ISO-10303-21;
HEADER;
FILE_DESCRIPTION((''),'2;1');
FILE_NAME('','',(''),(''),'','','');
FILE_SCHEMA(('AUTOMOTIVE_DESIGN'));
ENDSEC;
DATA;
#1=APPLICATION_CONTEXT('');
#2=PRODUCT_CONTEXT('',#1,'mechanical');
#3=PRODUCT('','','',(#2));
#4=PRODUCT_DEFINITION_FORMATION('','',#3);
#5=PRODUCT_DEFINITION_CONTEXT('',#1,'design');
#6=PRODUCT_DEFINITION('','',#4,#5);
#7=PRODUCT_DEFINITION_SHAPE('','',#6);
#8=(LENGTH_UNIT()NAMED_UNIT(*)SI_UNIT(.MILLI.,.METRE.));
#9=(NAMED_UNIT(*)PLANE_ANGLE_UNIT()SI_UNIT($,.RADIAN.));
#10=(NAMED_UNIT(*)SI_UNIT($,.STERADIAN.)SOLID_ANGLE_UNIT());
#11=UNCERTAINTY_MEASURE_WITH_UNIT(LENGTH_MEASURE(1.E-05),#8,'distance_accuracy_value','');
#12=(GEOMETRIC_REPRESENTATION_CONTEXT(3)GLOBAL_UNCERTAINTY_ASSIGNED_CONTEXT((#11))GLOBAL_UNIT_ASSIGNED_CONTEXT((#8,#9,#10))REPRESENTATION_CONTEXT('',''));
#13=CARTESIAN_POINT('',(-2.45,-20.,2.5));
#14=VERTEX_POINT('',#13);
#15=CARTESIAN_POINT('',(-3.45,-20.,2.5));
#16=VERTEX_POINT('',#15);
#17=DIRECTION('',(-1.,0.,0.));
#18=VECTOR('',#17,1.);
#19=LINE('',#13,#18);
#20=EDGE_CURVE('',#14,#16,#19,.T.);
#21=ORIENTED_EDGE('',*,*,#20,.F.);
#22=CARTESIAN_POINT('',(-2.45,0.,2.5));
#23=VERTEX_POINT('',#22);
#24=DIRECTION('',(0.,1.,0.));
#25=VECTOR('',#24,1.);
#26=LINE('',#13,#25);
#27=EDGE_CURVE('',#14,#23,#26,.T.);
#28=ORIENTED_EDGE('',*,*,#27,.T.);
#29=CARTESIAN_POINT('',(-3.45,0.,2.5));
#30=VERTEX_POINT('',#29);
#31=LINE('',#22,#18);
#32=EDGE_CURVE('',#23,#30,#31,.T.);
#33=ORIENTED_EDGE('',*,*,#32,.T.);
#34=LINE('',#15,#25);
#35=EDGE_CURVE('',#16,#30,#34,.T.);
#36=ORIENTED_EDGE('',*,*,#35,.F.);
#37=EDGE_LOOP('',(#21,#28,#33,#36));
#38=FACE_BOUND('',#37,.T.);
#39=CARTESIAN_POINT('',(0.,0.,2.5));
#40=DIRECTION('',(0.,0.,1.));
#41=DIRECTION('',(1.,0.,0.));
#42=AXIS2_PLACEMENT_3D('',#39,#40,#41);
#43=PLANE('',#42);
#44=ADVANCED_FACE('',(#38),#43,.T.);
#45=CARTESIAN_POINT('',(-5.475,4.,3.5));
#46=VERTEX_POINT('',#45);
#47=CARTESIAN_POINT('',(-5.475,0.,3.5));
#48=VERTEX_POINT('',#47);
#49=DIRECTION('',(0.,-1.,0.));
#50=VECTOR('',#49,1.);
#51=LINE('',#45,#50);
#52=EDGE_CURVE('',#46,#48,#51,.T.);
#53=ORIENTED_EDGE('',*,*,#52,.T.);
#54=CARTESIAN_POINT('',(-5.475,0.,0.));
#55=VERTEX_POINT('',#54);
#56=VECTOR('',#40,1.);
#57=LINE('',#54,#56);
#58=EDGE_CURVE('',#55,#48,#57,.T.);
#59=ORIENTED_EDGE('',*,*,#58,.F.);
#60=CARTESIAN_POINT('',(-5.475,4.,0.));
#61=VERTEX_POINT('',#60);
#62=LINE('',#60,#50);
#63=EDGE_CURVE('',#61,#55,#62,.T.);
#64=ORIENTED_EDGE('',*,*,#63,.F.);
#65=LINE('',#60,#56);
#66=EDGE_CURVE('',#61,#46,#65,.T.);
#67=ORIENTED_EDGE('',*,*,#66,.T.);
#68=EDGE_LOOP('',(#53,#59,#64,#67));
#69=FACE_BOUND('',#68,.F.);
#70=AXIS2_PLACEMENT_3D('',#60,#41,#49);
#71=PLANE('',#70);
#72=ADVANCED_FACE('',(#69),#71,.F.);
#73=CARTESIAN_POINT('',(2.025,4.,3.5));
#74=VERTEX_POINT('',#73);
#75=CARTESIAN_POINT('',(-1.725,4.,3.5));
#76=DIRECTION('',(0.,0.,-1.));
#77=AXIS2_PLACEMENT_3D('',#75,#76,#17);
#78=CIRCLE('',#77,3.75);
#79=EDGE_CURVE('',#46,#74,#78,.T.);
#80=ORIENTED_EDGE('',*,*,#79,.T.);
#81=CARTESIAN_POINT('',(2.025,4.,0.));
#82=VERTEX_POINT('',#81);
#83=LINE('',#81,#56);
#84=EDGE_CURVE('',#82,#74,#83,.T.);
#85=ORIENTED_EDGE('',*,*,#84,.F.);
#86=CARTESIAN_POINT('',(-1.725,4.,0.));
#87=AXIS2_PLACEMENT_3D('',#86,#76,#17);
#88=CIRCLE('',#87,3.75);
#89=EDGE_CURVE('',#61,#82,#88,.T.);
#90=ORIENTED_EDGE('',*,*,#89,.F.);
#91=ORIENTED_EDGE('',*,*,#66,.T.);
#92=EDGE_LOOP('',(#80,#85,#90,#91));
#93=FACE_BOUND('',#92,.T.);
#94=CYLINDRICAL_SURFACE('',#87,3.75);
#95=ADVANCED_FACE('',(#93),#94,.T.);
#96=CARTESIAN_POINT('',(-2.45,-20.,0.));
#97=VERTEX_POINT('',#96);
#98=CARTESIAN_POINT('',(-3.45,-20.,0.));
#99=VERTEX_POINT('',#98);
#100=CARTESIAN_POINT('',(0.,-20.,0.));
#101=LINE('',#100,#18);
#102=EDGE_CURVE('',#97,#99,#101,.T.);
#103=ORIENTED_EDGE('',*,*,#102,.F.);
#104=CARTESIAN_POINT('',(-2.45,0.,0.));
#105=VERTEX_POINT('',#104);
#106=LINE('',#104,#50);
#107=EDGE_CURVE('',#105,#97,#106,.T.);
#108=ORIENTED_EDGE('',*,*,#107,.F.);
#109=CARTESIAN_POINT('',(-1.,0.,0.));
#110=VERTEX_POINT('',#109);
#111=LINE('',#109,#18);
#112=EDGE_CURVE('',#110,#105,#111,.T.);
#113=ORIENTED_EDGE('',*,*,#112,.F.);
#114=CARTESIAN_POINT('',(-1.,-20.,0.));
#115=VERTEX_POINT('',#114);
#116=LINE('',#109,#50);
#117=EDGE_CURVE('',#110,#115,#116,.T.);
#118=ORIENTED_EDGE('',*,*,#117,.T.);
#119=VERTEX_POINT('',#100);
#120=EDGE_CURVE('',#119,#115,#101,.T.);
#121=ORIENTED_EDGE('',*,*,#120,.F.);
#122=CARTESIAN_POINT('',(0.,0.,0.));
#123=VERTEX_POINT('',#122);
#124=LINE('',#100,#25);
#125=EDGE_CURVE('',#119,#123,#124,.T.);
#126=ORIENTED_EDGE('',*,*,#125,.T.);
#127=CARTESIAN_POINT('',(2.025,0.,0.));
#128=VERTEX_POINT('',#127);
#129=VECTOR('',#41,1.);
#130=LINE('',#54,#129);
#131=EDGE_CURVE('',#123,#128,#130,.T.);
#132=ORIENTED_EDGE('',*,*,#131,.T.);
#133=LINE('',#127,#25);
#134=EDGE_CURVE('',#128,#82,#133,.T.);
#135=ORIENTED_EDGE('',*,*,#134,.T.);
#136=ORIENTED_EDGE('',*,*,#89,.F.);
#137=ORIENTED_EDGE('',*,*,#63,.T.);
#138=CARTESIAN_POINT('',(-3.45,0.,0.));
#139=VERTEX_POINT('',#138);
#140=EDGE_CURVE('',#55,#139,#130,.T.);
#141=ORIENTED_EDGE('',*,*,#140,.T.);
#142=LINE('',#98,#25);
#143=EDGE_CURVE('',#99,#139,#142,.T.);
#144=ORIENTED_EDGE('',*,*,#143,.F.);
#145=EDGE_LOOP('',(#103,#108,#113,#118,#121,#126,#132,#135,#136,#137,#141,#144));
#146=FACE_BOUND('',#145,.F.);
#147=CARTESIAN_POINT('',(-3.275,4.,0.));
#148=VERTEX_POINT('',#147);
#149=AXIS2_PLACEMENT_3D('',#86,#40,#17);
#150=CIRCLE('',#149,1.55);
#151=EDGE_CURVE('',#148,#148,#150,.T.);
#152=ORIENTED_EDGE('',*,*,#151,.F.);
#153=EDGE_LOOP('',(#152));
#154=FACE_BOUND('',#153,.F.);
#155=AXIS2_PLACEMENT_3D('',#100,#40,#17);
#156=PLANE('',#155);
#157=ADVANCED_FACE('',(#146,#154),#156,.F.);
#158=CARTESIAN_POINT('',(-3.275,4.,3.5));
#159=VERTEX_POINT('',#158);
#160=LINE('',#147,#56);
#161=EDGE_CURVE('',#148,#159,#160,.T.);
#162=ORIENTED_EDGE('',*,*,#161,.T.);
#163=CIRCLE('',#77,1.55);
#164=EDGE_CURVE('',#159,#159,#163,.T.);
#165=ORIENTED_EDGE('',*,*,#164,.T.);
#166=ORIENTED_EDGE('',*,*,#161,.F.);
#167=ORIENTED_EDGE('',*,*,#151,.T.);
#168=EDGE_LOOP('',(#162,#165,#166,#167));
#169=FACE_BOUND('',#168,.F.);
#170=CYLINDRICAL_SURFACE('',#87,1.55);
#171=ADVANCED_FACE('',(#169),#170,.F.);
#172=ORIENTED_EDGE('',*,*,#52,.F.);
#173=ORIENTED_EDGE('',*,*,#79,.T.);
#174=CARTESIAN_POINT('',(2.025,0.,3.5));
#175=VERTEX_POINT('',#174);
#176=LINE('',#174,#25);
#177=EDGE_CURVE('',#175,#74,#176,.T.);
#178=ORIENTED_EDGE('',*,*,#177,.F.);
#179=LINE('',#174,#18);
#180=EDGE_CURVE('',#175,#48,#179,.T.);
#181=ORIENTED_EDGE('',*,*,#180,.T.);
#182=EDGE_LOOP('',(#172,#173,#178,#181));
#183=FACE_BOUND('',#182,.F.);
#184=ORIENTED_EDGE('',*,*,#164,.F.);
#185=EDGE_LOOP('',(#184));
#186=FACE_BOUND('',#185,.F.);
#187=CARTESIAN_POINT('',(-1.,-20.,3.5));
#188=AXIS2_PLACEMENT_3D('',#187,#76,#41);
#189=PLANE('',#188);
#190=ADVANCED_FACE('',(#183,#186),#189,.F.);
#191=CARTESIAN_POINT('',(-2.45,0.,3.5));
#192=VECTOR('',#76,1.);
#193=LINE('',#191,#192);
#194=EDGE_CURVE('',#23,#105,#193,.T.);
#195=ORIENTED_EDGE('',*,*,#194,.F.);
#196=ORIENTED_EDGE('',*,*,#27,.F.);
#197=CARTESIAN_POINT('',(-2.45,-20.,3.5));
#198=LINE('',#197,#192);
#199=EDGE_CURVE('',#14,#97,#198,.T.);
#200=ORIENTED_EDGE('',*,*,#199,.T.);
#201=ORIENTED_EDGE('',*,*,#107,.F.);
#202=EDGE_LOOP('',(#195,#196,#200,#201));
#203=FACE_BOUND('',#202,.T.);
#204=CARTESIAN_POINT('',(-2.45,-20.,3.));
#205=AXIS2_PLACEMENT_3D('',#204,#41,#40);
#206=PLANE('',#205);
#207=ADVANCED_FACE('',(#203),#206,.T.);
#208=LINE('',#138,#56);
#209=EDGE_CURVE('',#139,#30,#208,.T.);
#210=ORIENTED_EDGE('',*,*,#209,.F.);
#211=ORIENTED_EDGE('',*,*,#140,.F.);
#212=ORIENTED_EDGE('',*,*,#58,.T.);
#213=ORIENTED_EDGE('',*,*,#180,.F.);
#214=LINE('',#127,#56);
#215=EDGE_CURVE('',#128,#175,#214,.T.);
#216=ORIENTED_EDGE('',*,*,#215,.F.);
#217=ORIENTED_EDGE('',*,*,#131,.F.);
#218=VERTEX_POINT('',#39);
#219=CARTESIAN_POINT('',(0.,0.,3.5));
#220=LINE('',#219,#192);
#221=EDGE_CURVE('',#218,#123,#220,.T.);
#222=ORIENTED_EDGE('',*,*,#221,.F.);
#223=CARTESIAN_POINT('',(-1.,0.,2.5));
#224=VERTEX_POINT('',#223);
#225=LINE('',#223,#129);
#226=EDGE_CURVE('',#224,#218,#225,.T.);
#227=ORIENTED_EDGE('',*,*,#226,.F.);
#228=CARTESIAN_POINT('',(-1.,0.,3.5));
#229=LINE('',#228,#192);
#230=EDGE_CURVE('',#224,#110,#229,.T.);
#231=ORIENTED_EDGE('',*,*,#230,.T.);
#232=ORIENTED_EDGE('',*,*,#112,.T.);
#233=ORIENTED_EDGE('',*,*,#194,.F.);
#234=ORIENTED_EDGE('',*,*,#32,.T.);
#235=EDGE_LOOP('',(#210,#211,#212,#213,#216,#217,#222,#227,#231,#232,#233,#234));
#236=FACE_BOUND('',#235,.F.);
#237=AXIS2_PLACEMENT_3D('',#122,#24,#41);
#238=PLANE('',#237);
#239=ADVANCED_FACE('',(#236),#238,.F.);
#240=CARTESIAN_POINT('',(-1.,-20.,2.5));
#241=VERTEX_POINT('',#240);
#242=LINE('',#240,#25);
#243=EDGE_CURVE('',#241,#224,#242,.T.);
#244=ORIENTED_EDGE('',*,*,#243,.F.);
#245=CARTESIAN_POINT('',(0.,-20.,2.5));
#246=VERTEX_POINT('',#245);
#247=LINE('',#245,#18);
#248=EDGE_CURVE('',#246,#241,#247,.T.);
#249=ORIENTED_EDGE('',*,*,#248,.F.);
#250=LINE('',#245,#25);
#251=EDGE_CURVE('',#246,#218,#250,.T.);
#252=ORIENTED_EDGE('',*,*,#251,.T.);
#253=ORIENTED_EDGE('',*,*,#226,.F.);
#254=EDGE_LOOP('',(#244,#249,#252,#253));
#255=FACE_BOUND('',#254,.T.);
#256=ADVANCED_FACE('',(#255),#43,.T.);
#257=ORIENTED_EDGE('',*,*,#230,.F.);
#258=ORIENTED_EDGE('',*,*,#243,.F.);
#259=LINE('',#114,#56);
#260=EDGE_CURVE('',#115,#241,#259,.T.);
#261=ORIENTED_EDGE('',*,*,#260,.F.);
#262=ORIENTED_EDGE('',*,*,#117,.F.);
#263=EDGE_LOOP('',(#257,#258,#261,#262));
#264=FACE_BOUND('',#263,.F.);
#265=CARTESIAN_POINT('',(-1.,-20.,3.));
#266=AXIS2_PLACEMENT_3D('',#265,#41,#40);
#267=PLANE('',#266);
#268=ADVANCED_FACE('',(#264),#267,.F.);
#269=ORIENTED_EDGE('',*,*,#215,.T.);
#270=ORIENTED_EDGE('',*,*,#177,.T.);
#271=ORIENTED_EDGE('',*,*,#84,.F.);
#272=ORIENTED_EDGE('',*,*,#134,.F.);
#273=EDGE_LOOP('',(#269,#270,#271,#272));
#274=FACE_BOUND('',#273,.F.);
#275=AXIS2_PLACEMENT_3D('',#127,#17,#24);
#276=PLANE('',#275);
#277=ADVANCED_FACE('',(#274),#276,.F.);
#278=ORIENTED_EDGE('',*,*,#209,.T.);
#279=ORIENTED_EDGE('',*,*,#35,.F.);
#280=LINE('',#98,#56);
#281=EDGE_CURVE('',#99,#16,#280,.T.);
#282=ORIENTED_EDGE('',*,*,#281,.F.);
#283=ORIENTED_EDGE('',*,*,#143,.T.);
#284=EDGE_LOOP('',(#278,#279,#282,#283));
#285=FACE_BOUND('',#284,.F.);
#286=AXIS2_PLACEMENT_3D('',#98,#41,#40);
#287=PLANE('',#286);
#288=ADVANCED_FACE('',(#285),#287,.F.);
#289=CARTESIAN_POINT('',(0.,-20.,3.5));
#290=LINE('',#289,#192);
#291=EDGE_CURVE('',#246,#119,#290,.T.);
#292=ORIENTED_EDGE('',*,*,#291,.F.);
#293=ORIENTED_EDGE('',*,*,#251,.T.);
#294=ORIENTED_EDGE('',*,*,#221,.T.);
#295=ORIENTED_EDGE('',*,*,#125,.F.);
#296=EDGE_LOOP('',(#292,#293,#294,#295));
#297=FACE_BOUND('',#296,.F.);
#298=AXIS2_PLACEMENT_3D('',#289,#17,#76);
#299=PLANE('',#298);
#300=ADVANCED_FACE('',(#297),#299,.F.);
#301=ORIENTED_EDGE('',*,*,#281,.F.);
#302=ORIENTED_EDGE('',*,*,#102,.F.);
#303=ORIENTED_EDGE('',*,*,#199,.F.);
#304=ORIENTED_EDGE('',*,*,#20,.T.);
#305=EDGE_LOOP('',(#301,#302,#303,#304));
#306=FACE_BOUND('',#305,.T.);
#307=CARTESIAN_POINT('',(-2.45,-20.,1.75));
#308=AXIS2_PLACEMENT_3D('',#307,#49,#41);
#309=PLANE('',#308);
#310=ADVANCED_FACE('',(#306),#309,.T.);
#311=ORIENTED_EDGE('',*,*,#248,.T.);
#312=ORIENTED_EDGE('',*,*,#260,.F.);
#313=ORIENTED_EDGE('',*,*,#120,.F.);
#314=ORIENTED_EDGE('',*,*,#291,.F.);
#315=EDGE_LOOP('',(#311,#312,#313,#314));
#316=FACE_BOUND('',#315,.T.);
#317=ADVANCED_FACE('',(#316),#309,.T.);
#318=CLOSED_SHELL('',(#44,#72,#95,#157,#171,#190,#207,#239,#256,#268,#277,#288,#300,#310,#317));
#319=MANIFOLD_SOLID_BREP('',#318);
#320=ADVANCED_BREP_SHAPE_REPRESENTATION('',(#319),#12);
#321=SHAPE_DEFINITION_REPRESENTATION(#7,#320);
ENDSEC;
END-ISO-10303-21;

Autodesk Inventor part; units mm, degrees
ref_plane "YZ Plane" through (0, 0, 0) normal (1, 0, 0) x (0, 1, 0)
ref_plane "XZ Plane" through (0, 0, 0) normal (0, 1, 0) x (-1, 0, 0)
ref_plane "XY Plane" through (0, 0, 0) normal (0, 0, 1) x (1, 0, 0)
sketch "Sketch1" plane through (0, 0, 0) normal (0, 0, 1) x (1, 0, 0)
  line L0 (0, 0) -> (-3.45, 0)
  line L1 (-3.45, 0) -> (-3.45, -20)
  line L2 (-3.45, -20) -> (0, -20)
  line L3 (0, -20) -> (0, 0)
  line L4 (-1.725, -20) -> (-5.425, -20)
  line L5 (-5.425, -20) -> (1.925, -20)
  line L6 (1.925, -20) -> (1.925, -25)
  line L7 (1.925, -25) -> (-5.425, -25)
  line L8 (-5.425, -25) -> (-5.425, -20)
  dimension "d0" = 20
  dimension "d1" = 3.45
  dimension "d2" = 3.7
  dimension "d3" = 7.35
  dimension "d4" = 5
extrude "Extrusion1" add sketch "Sketch1" along normal blind 3.5
sketch "Sketch4" plane through (0, 0, 0) normal (0, 0, -1) x (-1, 0, 0)
  line L0 (0, -20) -> (0, 0) projected
  line L1 (-1.925, -20) -> (0, -20) projected
  line L2 (-1.925, -25) -> (-1.925, -20) projected
  line L3 (5.425, -25) -> (-1.925, -25) projected
  line L4 (5.425, -20) -> (5.425, -25) projected
  line L5 (3.45, -20) -> (5.425, -20) projected
  line L6 (3.45, 0) -> (3.45, -20) projected
  line L7 (0, 0) -> (3.45, 0) projected
  line L8 (3.45, 0) -> (5.475, 0)
  line L9 (0, 0) -> (-2.025, 0)
  line L10 (5.475, 0) -> (-2.025, 0)
  line L11 (-2.025, 0) -> (-2.025, 4)
  line L12 (-2.025, 4) -> (5.475, 4)
  line L13 (5.475, 4) -> (5.475, 0)
  circle A0 centre (1.725, 4) radius 3.75
  circle A1 centre (1.725, 4) radius 1.55
  dimension "d22" = 2.025
  dimension "d23" = 2.025
  dimension "d24" = 7.5
  dimension "d25" = 4
  dimension "d26" = 3.1
extrude "Extrusion4" add sketch "Sketch4" against normal up to surface (3.5 mm away) contours L9 L11 A0 L13 L8 L7 | A0 L12 A1 | L12 A1 A0
sketch "Sketch5" plane through (0, 0, 3.5) normal (0, 0, 1) x (1, 0, 0)
  circle A0 centre (-1.725, 4) radius 1.55 projected
  line L0 (0, -20) -> (0, 0) projected
  line L1 (2.025, 0) -> (0, 0) projected
  line L2 (2.025, 4) -> (2.025, 0) projected
  arc A1 (2.025, 4) -> (-5.475, 4) centre (-1.725, 4) ccw projected
  line L3 (-5.475, 0) -> (-5.475, 4) projected
  line L4 (-3.45, 0) -> (-5.475, 0) projected
  line L5 (-3.45, 0) -> (-3.45, -20) projected
  line L6 (-3.45, -20) -> (-5.425, -20) projected
  line L7 (-5.425, -20) -> (-5.425, -25) projected
  line L8 (-5.425, -25) -> (1.925, -25) projected
  line L9 (1.925, -25) -> (1.925, -20) projected
  line L10 (1.925, -20) -> (0, -20) projected
  line L11 (-3.45, -10) -> (0, -10)
  line L12 (-1.725, -10) -> (-1, -10)
  line L13 (-1, -10) -> (-2.45, -10)
  line L14 (-2.45, -10) -> (-2.45, -20)
  line L15 (-2.45, -20) -> (-3.45, -20)
  line L16 (-1, -10) -> (-1, -20)
  line L17 (0, -20) -> (-1, -20)
  dimension "d31" = 1
  dimension "d32" = 1
extrude "Extrusion5" cut sketch "Sketch5" against normal blind 1.75 contours L10 L9 L8 L7 L6 L15 L14 L11 L16 L17
sketch "Sketch6" plane through (0, 0, 1.75) normal (0, 0, 1) x (1, 0, 0)
  line L0 (1.925, -20) -> (1.925, -25) projected
  line L1 (0, -20) -> (1.925, -20) projected
  line L2 (-1, -20) -> (0, -20) projected
  line L3 (-1, -10) -> (-1, -20) projected
  line L4 (-2.45, -10) -> (-1, -10) projected
  line L5 (-2.45, -20) -> (-2.45, -10) projected
  line L6 (-3.45, -20) -> (-2.45, -20) projected
  line L7 (-5.425, -20) -> (-3.45, -20) projected
  line L8 (-5.425, -25) -> (-5.425, -20) projected
  line L9 (1.925, -25) -> (-5.425, -25) projected
  line L10 (-2.45, -20) -> (-1, -20)
  point P0 (0, 0)
extrude "Extrusion6" cut sketch "Sketch6" against normal up to surface (1.75 mm away) contours L0 L9 L8 L7 L6 L10 L2 L1
sketch "Sketch7" plane through (-1, -20, 3.5) normal (0, -1, 0) x (1, 0, 0)
  line L0 (1, -3.5) -> (1, 0) projected
  line L1 (0, 0) -> (1, 0) projected
  line L2 (0, 0) -> (0, -1.75) projected
  line L3 (-1.45, -1.75) -> (0, -1.75) projected
  line L4 (-1.45, 0) -> (-1.45, -1.75) projected
  line L5 (-2.45, 0) -> (-1.45, 0) projected
  line L6 (-2.45, -3.5) -> (-2.45, 0) projected
  line L7 (1, -3.5) -> (-2.45, -3.5) projected
  line L8 (-2.45, -3.5) -> (-2.45, 0)
  line L9 (1, 0) -> (-2.45, 0)
  line L10 (-2.45, -3.5) -> (1, -3.5)
  line L11 (1, -3.5) -> (1, 0)
  line L12 (-1.95, -0.5) -> (-1.95, -3)
  line L13 (-1.95, -3) -> (0.5, -3)
  line L14 (0.5, -3) -> (0.5, -0.5)
  line L15 (0.5, -0.5) -> (-1.95, -0.5)
  point P0 (1, -3.5)
  dimension "d37" = 0.5
extrude "Extrusion7" cut sketch "Sketch7" against normal up to surface (20 mm away) contours L7 L6 L5 L4 L15 L12 L13 L14 L2 L1 L0 | L2 L15 L4 L9
sketch "Sketch8" plane through (-2.45, -20, 1.75) normal (0, -1, 0) x (1, 0, 0)
  line L0 (1.95, 1.25) -> (1.45, 1.25) projected
  line L1 (1.45, 1.25) -> (1.45, 0) projected
  line L2 (0, 0) -> (1.45, 0) projected
  line L3 (0, 1.25) -> (0, 0) projected
  line L4 (0, 1.25) -> (-0.5, 1.25) projected
  line L5 (-0.5, 1.25) -> (-0.5, -1.25) projected
  line L6 (-0.5, -1.25) -> (1.95, -1.25) projected
  line L7 (1.95, -1.25) -> (1.95, 1.25) projected
  line L8 (2.45, -1.75) -> (-1, -1.75)
  line L9 (-1, -1.75) -> (-1, 1.75)
  line L10 (-1, 1.75) -> (0.5, 1.75)
  line L11 (0.5, 1.75) -> (0.5, 0.5)
  line L12 (0.5, 0.5) -> (0.95, 0.5)
  line L13 (0.95, 0.5) -> (0.95, 1.75)
  line L14 (0.95, 1.75) -> (2.45, 1.75)
  line L15 (2.45, 1.75) -> (2.45, -1.75)
  line L16 (0, 1.25) -> (0, 1.75)
  line L17 (0, 1.75) -> (-1, 1.75)
  line L18 (-1, 1.75) -> (-1, -1.75)
  line L19 (-1, -1.75) -> (2.45, -1.75)
  line L20 (2.45, -1.75) -> (2.45, 1.75)
  line L21 (2.45, 1.75) -> (1.45, 1.75)
  line L22 (1.45, 0) -> (1.45, 1.75)
  line L23 (0, 0) -> (1.45, 0)
  line L24 (0, 0) -> (0, 1.25)
  point P0 (2.45, -1.75)
extrude "Extrusion8" add sketch "Sketch8" against normal blind 20 contours L0 L22 L14 L15 L8 L9 L10 L16 L4 L5 L6 L7
sketch "Sketch9" plane through (-2.45, 0, 3) normal (0, 0, 1) x (1, 0, 0)
  line L0 (1.45, -10) -> (1.45, 0) projected
  line L1 (1.45, 0) -> (0, 0) projected
  line L2 (0, 0) -> (0, -10) projected
  line L3 (1.45, -10) -> (0, -10) projected
  line L4 (0, -20) -> (1.45, -20) projected
  line L5 (1.45, -10) -> (1.45, -20) projected
  line L6 (0, -10) -> (1.45, -10) projected
  line L7 (0, -20) -> (0, -10) projected
  point P0 (2.45, 0)
extrude "Extrusion9" cut sketch "Sketch9" against normal up to surface (3 mm away)
sketch "Sketch11" plane through (0, 0, 3.5) normal (0, 0, 1) x (1, 0, 0)
  line L0 (2.025, 0) -> (0, 0) projected
  line L1 (2.025, 4) -> (2.025, 0) projected
  arc A0 (2.025, 4) -> (-5.475, 4) centre (-1.725, 4) ccw projected
  line L2 (-5.475, 0) -> (-5.475, 4) projected
  line L3 (-3.45, 0) -> (-5.475, 0) projected
  line L4 (-3.45, -20) -> (-3.45, 0) projected
  line L5 (-2.45, -20) -> (-3.45, -20) projected
  line L6 (-2.45, -20) -> (-2.45, 0) projected
  line L7 (-1, 0) -> (-2.45, 0) projected
  line L8 (-1, -20) -> (-1, 0) projected
  line L9 (0, -20) -> (-1, -20) projected
  line L10 (0, -20) -> (0, 0) projected
  circle A1 centre (-1.725, 4) radius 1.55 projected
  line L11 (-1, 0) -> (0, 0)
  line L12 (-2.45, 0) -> (-3.45, 0)
  point P0 (0, 0)
extrude "Extrusion11" cut sketch "Sketch11" against normal blind 1 contours L10 L9 L8 L11 | L6 L5 L4 L12
equation "\"d23\" = d22"
equation "\"d32\" = d31"
properties part number "Piston"
